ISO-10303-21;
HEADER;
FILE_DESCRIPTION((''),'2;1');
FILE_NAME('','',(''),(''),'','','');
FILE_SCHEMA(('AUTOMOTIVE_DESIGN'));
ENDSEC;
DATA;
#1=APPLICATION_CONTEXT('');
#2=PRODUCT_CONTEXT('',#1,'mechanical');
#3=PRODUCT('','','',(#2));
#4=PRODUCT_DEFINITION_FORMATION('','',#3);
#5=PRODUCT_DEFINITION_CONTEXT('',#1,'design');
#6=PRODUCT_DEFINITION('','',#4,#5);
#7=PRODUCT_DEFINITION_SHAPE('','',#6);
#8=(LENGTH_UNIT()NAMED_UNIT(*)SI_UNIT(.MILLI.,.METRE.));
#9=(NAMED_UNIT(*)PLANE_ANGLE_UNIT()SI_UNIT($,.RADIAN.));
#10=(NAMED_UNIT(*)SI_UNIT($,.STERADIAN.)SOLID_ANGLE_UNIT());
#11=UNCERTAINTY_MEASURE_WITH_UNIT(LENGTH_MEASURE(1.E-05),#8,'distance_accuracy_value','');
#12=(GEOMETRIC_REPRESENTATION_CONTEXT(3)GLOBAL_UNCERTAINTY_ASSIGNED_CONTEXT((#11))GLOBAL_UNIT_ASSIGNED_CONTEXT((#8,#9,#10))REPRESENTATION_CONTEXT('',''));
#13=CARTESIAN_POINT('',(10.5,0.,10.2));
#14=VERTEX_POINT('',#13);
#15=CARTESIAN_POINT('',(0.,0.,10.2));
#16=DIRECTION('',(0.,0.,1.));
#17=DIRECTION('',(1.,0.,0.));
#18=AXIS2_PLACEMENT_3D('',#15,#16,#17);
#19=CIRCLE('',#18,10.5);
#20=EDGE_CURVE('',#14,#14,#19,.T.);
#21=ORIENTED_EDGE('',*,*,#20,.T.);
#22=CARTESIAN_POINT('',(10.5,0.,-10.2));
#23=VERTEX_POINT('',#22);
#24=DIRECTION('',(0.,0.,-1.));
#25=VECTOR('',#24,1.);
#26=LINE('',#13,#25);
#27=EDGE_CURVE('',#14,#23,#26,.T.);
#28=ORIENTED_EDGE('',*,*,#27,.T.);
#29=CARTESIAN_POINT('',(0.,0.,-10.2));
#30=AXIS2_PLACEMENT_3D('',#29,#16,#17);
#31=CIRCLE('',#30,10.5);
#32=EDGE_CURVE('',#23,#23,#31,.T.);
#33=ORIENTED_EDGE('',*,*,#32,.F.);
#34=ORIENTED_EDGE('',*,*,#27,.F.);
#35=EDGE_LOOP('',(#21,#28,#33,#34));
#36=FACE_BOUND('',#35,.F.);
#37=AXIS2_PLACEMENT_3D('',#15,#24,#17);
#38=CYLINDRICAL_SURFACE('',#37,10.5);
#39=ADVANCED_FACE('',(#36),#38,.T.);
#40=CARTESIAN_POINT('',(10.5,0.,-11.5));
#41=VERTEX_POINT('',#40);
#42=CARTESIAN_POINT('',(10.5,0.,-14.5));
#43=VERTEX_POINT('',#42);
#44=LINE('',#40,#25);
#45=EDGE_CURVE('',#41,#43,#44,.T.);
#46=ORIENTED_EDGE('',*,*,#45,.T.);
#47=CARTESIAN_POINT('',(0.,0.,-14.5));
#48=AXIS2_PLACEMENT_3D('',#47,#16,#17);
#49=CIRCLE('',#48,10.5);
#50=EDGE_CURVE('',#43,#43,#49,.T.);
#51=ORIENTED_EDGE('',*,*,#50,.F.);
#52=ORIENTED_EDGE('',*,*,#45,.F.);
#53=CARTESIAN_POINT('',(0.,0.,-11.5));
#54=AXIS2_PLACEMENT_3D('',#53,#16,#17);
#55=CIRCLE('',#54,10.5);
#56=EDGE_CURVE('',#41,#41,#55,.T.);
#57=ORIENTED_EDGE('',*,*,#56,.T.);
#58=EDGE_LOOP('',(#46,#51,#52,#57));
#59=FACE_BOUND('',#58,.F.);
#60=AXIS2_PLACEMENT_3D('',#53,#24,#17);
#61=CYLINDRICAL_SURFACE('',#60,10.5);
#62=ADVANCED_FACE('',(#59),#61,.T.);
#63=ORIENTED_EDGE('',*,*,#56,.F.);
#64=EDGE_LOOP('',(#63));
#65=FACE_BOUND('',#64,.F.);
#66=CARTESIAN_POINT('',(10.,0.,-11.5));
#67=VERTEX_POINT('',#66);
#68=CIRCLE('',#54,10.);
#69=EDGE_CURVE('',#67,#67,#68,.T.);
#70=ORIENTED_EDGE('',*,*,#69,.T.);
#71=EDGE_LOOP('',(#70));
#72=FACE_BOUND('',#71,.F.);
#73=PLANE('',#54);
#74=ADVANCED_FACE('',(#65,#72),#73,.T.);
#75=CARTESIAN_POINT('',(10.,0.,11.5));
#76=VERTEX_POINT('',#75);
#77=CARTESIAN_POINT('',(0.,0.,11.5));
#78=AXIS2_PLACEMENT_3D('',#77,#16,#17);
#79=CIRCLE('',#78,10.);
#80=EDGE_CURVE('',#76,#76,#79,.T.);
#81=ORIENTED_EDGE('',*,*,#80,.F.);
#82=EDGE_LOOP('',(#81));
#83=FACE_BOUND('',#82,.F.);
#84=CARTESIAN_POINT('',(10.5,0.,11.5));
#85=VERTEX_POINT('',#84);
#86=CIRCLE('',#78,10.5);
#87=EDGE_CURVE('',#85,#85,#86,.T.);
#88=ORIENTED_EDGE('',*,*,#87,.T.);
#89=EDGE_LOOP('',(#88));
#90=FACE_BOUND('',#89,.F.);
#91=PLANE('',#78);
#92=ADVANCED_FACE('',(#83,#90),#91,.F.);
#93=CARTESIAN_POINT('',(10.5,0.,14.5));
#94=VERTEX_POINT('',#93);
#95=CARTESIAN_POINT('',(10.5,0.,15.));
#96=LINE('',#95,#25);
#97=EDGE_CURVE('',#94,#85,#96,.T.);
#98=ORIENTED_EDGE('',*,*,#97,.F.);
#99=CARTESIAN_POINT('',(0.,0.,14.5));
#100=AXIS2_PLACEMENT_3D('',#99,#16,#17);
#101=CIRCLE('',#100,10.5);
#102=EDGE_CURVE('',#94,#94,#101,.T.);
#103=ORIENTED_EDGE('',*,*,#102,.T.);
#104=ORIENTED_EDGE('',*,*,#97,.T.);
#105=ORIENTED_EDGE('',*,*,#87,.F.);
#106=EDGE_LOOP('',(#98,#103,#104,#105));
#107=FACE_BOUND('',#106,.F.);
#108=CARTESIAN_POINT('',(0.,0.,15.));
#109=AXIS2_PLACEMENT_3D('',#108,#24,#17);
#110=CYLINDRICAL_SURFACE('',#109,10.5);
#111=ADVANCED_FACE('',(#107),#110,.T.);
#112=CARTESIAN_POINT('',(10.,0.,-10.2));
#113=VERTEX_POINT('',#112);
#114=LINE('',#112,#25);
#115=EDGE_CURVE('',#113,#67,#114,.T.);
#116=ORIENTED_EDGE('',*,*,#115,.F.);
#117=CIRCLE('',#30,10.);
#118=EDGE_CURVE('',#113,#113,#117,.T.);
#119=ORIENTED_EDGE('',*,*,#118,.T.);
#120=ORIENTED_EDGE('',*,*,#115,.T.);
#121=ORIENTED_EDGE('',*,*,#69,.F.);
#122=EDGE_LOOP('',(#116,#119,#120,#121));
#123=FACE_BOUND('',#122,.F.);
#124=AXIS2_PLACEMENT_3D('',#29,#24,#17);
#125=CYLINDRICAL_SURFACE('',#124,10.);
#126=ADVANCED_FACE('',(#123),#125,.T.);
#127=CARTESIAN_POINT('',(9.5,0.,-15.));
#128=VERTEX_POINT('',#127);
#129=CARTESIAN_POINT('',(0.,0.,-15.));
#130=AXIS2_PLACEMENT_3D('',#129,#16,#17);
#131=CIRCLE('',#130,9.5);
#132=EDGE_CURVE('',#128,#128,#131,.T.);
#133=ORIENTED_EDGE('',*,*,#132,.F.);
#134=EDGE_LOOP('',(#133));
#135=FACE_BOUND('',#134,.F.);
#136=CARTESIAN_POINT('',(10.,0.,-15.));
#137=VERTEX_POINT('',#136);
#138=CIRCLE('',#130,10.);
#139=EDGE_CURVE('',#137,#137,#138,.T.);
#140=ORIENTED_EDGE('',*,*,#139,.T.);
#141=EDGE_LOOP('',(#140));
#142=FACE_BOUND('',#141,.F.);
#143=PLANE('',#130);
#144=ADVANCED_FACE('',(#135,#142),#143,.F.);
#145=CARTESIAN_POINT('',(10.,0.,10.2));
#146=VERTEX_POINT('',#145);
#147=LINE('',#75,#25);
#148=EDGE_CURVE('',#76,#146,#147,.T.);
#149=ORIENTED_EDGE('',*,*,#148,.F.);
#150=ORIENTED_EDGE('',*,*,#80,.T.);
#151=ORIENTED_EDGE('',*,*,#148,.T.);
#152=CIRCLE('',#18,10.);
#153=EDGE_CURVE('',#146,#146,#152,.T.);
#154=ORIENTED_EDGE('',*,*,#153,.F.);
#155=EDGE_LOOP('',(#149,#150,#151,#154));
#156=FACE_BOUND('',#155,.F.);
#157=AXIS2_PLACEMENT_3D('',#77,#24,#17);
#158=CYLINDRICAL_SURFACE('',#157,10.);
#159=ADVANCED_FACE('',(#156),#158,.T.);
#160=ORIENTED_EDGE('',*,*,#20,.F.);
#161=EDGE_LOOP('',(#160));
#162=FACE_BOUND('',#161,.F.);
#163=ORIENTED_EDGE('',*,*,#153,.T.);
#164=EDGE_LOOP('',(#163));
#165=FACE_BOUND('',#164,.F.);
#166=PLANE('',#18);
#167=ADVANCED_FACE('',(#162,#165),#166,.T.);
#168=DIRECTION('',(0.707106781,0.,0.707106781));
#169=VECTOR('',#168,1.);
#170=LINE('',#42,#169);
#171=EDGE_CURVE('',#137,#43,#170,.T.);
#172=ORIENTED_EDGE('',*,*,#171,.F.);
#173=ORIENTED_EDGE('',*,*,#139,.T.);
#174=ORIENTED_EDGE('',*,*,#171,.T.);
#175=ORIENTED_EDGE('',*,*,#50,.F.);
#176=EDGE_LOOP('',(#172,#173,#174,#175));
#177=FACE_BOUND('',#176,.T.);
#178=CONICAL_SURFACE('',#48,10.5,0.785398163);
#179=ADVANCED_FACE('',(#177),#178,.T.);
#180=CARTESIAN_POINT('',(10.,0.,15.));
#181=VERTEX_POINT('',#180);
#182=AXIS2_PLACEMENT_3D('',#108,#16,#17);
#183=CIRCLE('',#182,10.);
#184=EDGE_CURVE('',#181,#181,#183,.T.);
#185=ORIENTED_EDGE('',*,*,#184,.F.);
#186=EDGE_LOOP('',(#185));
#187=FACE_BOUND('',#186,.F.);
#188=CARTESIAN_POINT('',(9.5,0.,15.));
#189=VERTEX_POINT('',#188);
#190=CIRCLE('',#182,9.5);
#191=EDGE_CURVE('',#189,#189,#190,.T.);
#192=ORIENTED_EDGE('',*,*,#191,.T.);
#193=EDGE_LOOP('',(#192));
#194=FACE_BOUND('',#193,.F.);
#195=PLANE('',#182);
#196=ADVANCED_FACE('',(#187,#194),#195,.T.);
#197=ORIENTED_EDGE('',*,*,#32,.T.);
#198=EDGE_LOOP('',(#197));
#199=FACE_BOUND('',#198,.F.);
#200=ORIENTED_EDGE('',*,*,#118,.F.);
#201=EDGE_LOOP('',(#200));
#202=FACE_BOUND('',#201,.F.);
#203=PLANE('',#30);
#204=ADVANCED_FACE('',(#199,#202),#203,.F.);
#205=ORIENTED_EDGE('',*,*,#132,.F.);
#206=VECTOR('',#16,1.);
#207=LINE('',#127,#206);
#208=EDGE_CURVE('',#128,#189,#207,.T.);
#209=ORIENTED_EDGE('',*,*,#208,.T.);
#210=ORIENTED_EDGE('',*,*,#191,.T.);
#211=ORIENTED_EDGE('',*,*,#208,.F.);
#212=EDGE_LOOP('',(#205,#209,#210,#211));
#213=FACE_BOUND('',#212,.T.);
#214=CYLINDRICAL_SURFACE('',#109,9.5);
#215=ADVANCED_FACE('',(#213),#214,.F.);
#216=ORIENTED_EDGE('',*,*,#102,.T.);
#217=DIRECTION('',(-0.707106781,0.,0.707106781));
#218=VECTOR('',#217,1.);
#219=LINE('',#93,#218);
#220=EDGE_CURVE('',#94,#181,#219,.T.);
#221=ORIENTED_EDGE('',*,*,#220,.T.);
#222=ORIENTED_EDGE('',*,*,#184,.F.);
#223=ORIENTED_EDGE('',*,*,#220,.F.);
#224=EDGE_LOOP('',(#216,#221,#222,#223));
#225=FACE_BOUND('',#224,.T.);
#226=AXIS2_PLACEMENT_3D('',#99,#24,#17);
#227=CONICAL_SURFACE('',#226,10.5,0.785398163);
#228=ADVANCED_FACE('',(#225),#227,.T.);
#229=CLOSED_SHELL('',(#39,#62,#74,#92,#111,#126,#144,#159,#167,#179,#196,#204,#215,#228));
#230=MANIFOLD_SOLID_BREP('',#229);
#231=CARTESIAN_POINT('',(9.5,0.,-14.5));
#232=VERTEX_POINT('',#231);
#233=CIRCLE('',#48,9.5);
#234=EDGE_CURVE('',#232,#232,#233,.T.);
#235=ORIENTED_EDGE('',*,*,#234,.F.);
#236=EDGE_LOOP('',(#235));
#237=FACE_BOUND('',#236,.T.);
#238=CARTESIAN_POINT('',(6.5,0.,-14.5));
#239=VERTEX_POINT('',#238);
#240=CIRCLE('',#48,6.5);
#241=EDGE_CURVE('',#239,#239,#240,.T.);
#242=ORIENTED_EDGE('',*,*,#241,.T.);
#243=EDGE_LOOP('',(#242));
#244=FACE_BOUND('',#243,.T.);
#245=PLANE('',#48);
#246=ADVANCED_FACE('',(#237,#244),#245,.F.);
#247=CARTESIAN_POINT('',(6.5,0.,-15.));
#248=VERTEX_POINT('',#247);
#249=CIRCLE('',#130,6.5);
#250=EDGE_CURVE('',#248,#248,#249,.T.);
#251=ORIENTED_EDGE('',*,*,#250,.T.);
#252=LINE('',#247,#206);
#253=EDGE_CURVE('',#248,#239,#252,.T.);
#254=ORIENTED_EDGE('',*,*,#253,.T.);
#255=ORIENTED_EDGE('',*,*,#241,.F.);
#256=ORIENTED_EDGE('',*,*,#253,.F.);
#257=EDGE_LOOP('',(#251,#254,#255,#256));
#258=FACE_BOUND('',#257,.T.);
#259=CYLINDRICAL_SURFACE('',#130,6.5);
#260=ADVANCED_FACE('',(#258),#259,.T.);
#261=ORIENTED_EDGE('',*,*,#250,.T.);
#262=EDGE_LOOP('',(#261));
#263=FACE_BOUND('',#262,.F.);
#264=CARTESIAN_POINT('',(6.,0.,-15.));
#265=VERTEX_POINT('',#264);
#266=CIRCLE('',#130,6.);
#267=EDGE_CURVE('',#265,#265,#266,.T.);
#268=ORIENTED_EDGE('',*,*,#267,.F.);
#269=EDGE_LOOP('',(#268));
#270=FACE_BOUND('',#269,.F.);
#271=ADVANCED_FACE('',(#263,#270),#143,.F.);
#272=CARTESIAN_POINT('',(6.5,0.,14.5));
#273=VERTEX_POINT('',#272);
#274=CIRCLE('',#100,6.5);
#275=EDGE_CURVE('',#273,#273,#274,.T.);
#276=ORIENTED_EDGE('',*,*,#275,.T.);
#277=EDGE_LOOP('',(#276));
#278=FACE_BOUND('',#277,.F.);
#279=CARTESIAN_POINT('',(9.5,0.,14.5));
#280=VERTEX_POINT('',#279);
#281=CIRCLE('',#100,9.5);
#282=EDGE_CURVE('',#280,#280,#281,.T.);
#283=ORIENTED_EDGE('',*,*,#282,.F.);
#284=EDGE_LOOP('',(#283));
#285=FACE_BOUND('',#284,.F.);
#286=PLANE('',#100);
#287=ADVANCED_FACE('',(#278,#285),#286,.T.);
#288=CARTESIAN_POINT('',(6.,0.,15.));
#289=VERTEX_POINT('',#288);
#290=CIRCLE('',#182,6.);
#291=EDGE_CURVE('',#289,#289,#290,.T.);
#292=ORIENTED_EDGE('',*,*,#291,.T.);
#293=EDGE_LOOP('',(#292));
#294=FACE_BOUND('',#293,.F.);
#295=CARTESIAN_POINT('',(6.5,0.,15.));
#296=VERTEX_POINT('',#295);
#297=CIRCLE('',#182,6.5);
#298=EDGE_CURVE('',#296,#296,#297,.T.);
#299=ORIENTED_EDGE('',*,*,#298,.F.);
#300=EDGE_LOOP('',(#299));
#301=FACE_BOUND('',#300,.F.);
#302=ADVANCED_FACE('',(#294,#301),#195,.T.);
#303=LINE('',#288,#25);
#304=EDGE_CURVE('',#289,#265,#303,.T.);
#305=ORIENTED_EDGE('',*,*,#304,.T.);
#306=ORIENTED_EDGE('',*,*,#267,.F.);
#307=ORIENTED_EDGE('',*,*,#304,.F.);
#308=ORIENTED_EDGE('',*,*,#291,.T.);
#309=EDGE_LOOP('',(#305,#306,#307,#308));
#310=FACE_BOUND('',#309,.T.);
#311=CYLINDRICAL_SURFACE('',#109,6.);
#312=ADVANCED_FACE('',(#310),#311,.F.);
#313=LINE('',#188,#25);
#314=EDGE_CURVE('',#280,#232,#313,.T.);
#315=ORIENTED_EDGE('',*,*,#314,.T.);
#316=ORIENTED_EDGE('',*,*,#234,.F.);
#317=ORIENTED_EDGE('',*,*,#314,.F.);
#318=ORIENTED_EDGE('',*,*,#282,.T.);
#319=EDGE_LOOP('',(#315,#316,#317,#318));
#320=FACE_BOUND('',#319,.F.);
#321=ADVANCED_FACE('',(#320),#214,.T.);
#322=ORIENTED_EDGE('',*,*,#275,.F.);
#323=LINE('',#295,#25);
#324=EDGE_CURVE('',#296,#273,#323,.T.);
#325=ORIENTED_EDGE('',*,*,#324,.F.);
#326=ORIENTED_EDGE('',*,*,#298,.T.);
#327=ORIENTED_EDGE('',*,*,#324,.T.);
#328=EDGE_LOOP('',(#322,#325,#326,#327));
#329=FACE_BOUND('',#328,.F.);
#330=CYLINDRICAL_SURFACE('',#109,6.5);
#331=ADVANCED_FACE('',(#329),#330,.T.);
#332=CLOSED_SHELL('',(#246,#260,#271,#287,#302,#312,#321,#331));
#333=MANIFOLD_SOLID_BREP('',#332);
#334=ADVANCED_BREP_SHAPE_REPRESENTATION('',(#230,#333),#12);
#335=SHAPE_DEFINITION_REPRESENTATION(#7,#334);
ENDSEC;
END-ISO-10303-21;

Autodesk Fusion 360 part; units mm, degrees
sketch "スケッチ1" plane through (0, 0, 0) normal (0, 1, 0) x (1, 0, 0)
  line L0 (0, 0) -> (0, -15)
  line L1 (0, -15) -> (10.5, -15)
  line L2 (10.5, -15) -> (10.5, -11.5)
  line L3 (10.5, -11.5) -> (10, -11.5)
  line L4 (10, -11.5) -> (10, -10.2)
  line L5 (10, -10.2) -> (10.5, -10.2)
  line L6 (10.5, -10.2) -> (10.5, 10.2)
  line L7 (10.5, 10.2) -> (10, 10.2)
  line L8 (10, 10.2) -> (10, 11.5)
  line L9 (10, 11.5) -> (10.5, 11.5)
  line L10 (10.5, 11.5) -> (10.5, 15)
  line L11 (10.5, 15) -> (0, 15)
  line L12 (0, 15) -> (0, 0)
  line L13 (9.5, -15) -> (9.5, 15)
  line L14 (6.5, -15) -> (6.5, -14.5)
  line L15 (6.5, -14.5) -> (9.5, -14.5)
  line L16 (6, -15) -> (6, 15)
  line L17 (6.5, 15) -> (6.5, 14.5)
  line L18 (6.5, 14.5) -> (9.5, 14.5)
  dimension "d1" = 10.5
  dimension "d2" = 15
  dimension "d3" = 15
  dimension "d4" = 10
  dimension "d5" = 3.5
  dimension "d6" = 1.3
  dimension "d7" = 3.5
  dimension "d8" = 1.3
  dimension "d9" = 9.5
  dimension "d10" = 6
  dimension "d11" = 0.5
  dimension "d12" = 0.5
  dimension "d13" = 0.5
revolve "回転1" add sketch "スケッチ1" angle 360 about axis through (0, 0, 0) along (0, 0, 1) contours L1 L11 L13 L14 L15 L16 L17 L18 makes body 1
revolve "回転2" add sketch "スケッチ1" angle 360 about axis through (0, 0, 1.75) along (0, 0, 1) separate body contours L1 L2 L3 L4 L5 L6 L7 L8 L9 L10 L11 L13 makes body 2
chamfer "面取り1" distance 0.5 angle 45 2 edges at (-9.7894, -3.797, 15) (-9.7894, -3.797, -15) on bodies 2
equation "d3 = d2"
equation "d7 = d5"
equation "d8 = d6"
equation "d13 = d12"
